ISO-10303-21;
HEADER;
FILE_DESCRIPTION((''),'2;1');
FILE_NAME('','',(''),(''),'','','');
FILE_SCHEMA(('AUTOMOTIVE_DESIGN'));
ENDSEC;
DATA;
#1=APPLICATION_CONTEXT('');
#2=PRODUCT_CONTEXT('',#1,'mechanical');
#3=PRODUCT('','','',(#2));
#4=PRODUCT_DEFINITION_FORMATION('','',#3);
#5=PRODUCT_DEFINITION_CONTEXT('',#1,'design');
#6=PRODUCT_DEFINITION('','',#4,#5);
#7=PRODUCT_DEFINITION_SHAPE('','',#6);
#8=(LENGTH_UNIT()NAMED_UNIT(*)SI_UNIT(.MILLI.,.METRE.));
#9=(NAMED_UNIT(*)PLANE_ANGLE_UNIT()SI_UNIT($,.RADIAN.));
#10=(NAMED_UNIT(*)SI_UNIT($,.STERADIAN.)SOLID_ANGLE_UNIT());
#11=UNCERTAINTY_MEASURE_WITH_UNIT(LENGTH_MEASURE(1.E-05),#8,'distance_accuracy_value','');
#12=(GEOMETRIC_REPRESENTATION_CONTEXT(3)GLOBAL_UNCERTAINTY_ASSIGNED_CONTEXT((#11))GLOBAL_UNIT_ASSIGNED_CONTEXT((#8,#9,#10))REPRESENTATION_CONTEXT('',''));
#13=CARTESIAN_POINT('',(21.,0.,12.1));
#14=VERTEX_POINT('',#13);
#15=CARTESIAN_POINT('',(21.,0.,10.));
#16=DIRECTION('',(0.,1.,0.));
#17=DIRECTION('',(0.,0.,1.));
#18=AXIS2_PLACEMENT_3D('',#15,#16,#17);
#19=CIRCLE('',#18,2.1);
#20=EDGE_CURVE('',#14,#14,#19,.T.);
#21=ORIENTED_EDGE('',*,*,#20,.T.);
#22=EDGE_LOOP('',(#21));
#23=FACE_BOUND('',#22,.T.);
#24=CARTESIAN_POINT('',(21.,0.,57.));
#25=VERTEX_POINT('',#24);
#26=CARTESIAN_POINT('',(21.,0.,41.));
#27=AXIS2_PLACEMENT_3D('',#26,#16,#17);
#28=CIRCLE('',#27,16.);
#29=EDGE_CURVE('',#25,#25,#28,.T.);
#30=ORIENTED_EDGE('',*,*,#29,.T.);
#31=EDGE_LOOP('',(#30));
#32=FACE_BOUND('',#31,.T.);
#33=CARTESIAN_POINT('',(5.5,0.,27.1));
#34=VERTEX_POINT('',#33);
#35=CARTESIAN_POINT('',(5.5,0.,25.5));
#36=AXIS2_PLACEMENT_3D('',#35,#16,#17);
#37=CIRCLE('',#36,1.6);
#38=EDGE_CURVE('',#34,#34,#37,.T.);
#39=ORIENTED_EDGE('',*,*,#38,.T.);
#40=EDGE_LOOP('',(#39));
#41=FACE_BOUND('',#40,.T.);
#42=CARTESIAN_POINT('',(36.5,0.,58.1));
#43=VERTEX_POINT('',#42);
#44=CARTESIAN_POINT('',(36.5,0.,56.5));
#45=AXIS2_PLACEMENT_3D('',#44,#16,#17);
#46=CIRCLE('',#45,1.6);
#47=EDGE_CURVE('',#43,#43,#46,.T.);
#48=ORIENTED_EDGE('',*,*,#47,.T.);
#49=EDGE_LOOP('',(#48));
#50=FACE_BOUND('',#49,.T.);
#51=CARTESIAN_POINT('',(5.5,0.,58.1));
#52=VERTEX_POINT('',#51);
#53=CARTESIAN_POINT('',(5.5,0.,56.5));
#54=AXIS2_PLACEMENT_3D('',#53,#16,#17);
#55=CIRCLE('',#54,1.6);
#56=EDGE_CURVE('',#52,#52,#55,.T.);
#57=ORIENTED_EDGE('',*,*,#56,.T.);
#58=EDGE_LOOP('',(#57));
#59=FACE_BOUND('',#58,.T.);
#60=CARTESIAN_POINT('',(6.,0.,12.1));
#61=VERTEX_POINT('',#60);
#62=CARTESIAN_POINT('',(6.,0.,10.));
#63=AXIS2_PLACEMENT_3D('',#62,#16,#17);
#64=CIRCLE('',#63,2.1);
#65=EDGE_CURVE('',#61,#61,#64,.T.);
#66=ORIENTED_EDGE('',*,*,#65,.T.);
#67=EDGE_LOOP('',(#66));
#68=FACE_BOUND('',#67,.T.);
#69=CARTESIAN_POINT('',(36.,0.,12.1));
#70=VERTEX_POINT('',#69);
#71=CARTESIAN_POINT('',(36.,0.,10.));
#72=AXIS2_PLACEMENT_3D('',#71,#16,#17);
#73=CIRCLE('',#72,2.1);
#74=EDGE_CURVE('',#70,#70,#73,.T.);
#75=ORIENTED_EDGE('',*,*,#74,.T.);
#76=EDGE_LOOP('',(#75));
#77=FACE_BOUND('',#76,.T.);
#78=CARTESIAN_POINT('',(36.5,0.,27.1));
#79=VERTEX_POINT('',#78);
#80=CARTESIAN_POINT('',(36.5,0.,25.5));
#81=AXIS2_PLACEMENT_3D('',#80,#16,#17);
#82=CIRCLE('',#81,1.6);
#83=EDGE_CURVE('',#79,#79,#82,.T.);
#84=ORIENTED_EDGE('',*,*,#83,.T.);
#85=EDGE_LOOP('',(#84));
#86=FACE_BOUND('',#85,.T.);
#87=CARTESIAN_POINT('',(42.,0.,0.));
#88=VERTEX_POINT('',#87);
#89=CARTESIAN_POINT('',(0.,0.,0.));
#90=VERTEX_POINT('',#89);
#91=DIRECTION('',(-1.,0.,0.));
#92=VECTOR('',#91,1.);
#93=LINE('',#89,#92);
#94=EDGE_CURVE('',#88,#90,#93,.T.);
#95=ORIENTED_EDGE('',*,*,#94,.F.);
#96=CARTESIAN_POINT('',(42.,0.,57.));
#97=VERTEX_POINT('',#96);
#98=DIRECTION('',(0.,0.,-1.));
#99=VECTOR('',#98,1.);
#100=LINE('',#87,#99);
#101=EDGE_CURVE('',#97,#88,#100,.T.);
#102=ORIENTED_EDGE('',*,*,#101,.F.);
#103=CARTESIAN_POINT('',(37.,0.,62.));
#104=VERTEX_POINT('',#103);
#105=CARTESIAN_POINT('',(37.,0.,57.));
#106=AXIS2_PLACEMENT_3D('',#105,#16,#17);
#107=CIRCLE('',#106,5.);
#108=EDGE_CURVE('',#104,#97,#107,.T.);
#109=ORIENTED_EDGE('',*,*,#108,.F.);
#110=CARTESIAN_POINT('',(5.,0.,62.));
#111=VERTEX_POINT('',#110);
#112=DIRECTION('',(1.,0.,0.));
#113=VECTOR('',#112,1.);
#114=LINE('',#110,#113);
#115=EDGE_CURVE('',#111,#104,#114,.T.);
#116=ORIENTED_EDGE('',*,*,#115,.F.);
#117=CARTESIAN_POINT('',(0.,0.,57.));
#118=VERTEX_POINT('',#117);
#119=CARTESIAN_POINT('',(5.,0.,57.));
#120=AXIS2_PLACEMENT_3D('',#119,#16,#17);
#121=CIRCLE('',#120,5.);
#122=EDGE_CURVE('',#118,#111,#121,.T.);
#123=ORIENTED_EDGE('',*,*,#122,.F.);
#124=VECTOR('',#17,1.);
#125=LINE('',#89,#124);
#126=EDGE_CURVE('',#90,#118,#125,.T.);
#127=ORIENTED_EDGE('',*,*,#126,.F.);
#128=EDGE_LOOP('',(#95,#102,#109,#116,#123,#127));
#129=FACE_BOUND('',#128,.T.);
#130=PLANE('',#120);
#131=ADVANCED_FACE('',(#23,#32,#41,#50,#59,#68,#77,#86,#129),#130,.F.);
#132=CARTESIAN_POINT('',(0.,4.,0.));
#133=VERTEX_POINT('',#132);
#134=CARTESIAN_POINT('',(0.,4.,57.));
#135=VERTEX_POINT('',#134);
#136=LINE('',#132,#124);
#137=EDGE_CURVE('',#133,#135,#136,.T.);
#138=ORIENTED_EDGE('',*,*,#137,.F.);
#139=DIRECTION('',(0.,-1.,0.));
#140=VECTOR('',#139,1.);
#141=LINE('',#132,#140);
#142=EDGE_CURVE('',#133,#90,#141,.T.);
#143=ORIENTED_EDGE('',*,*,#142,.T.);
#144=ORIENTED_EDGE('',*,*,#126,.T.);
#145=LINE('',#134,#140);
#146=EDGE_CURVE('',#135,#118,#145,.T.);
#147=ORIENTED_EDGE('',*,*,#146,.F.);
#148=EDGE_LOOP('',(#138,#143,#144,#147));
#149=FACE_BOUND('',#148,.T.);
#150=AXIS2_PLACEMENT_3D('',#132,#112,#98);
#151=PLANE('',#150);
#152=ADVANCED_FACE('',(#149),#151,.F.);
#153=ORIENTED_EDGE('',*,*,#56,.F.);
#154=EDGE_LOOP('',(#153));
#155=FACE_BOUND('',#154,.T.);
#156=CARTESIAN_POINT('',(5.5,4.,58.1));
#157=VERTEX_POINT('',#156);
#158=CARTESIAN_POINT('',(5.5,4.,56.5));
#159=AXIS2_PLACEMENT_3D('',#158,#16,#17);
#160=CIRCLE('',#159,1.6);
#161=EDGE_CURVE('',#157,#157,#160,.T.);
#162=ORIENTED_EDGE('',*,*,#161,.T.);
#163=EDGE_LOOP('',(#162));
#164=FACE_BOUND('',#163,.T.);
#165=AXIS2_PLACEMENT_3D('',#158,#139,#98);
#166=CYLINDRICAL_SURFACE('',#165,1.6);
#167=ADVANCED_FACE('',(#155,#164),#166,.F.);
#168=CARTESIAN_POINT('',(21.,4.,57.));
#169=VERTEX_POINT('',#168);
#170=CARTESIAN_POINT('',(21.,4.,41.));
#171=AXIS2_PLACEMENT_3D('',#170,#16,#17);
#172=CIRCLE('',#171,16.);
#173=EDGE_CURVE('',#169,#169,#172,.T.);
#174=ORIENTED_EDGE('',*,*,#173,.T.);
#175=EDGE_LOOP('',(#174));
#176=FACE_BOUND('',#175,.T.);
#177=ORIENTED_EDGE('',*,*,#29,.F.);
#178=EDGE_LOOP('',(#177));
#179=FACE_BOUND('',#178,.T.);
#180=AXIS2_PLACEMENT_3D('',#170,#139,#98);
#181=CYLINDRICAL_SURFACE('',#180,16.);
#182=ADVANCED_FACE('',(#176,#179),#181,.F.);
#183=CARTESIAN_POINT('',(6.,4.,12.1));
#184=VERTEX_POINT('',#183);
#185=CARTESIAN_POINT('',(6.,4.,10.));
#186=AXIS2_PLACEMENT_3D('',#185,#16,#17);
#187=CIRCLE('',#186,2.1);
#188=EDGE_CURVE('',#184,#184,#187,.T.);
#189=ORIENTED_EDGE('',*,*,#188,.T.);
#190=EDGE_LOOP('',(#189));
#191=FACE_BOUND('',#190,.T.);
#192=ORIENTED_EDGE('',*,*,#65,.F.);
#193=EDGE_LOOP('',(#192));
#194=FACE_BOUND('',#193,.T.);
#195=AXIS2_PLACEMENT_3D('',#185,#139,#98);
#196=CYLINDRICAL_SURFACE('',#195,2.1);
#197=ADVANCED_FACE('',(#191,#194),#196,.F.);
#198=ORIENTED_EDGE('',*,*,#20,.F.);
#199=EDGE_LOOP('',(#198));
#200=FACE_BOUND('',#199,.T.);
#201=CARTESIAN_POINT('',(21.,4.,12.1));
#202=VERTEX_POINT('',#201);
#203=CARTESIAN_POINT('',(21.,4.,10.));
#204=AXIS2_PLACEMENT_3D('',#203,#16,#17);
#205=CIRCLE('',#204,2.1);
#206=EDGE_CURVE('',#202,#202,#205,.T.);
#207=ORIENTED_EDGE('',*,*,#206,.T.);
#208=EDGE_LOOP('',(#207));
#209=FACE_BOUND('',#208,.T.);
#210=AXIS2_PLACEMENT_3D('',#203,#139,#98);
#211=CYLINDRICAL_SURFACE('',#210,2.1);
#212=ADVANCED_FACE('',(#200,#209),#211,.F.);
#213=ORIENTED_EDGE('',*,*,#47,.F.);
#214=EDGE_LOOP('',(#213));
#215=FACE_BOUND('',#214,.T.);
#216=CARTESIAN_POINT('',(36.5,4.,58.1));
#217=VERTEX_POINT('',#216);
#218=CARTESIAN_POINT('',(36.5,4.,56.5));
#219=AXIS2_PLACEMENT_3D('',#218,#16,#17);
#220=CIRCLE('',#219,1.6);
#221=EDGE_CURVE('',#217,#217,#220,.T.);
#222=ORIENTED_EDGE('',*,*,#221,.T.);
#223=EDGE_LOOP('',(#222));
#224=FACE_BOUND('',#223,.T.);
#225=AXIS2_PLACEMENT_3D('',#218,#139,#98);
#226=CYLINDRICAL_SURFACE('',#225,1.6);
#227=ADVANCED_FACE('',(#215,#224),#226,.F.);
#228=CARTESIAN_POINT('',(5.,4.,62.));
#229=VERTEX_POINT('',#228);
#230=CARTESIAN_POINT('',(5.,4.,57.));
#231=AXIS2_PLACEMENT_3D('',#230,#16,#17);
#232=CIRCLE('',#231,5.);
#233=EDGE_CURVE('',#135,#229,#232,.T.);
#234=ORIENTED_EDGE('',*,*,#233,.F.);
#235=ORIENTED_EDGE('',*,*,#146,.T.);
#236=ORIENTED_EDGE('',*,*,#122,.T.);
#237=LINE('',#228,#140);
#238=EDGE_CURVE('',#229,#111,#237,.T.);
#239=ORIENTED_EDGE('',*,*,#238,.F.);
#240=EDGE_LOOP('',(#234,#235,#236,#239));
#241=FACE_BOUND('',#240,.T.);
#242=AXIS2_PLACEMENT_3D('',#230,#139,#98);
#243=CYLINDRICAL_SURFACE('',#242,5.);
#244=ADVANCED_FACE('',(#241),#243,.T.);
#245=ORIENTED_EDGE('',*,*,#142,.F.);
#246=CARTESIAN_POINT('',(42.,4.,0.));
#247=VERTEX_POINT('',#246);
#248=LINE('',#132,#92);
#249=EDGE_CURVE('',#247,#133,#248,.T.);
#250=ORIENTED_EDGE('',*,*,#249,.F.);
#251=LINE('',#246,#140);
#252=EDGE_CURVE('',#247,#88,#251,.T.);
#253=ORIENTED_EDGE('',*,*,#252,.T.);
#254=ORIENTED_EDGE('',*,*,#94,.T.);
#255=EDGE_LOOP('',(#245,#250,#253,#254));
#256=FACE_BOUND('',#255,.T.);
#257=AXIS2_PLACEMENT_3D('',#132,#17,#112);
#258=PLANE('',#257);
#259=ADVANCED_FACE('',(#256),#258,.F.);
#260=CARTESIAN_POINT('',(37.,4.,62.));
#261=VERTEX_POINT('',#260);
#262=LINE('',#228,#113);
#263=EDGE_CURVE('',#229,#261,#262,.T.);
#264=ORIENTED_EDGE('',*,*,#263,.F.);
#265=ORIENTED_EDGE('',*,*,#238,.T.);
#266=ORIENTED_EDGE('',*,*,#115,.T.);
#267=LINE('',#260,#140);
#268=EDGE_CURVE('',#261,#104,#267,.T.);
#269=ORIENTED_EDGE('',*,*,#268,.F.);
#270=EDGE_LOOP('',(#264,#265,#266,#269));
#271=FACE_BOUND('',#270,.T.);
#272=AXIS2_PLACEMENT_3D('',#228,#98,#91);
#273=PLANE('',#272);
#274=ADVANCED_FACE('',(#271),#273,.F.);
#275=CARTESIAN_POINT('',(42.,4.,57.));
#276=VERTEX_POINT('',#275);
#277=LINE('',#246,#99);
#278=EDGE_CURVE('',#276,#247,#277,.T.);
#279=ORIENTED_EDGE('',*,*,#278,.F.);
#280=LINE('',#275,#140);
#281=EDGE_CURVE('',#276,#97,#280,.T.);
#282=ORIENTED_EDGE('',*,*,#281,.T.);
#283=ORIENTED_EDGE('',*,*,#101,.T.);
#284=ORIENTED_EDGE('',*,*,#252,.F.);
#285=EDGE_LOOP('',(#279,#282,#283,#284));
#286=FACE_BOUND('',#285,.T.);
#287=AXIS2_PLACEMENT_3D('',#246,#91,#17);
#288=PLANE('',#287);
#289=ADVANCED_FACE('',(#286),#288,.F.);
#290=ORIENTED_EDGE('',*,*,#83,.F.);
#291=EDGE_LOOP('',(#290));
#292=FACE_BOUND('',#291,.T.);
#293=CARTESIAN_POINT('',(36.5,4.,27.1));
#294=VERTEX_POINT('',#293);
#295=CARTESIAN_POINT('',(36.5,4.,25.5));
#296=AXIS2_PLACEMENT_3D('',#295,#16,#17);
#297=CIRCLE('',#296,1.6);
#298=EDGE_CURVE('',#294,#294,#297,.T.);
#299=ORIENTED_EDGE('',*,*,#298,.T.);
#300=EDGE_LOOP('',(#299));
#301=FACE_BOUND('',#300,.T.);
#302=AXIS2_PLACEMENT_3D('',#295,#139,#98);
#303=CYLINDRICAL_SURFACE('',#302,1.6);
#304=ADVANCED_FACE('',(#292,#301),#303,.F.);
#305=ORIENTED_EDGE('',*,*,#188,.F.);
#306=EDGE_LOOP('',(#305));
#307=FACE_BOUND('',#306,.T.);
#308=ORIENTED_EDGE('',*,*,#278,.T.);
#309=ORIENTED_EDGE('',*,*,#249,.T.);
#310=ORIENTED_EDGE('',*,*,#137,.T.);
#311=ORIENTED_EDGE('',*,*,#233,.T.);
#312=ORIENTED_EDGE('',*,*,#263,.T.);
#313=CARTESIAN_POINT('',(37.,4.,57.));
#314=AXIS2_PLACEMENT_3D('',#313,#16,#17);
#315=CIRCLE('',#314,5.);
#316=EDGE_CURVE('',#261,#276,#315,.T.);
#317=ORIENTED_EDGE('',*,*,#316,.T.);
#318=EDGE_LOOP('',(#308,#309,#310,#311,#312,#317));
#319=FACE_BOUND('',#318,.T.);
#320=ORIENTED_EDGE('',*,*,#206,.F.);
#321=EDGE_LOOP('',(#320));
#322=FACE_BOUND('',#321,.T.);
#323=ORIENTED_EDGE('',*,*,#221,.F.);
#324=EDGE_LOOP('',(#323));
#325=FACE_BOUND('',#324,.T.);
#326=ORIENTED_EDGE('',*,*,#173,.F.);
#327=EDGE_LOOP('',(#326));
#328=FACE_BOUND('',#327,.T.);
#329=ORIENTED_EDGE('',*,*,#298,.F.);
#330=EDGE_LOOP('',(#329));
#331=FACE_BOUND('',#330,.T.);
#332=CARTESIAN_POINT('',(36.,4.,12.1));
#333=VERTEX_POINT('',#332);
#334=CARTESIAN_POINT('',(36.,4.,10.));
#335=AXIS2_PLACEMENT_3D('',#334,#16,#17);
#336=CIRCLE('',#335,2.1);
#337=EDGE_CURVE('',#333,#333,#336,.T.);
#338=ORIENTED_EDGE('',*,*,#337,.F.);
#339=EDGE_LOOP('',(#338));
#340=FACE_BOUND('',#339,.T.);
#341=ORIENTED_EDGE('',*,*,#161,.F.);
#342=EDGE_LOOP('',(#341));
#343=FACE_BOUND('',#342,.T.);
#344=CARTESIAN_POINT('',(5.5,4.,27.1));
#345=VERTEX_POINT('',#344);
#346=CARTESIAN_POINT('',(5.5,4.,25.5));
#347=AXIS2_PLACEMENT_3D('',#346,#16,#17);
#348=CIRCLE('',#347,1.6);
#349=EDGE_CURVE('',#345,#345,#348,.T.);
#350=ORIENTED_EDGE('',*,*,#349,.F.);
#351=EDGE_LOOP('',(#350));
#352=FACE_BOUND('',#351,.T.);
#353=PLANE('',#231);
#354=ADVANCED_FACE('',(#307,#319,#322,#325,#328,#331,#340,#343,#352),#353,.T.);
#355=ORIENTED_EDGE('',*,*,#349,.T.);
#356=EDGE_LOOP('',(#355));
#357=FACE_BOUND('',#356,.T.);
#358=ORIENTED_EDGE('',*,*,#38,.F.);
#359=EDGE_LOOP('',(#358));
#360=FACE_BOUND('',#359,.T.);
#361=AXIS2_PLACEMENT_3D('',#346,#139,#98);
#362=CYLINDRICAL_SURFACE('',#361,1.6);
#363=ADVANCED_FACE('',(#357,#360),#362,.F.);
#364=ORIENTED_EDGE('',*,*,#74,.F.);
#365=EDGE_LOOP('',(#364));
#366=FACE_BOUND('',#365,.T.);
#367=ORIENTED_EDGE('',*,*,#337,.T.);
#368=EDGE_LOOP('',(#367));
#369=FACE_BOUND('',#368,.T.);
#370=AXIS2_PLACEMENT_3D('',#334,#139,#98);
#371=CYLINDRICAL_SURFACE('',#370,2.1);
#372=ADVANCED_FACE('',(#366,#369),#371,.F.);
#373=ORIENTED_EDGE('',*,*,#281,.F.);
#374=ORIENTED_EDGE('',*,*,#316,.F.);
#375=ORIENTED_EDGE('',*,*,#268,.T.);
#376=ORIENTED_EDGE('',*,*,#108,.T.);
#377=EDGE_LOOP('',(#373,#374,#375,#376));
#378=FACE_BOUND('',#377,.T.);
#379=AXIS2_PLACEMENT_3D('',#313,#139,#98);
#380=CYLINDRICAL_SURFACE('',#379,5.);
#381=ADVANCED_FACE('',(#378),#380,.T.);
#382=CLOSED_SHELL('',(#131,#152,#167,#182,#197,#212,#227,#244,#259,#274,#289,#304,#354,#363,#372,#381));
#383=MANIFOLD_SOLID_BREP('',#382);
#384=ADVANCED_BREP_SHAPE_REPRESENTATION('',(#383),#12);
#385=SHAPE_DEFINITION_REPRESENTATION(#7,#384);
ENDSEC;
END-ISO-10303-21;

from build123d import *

# Parameters (mm, degrees)
SKETCH_1_R      = 1.6
SKETCH_1_R_2    = 16
SKETCH_1_R_3    = 2.1
EXTRUDE_1_DEPTH = 4


with BuildPart() as part:
    # 草图1 → 凸台-拉伸1 (new body)
    with BuildSketch(Plane(origin=(0, 0, 0), x_dir=(1, 0, 0), z_dir=(0, 1, 0))):
        with BuildLine():
            Line((0, 0), (42, 0))
            Line((42, 0), (42, -57))
            ThreePointArc((42, -57), (40.535533906, -60.535533906), (37, -62))
            Line((37, -62), (5, -62))
            ThreePointArc((5, -62), (1.464466094, -60.535533906), (0, -57))
            Line((0, -57), (0, 0))
        make_face()
        with Locations(Location((5.5, -25.5, 0), (0, 0, 270))):
            Circle(SKETCH_1_R, mode=Mode.SUBTRACT)
        with Locations(Location((36.5, -25.5, 0), (0, 0, 270))):
            Circle(SKETCH_1_R, mode=Mode.SUBTRACT)
        with Locations(Location((36.5, -56.5, 0), (0, 0, 270))):
            Circle(SKETCH_1_R, mode=Mode.SUBTRACT)
        with Locations(Location((5.5, -56.5, 0), (0, 0, 270))):
            Circle(SKETCH_1_R, mode=Mode.SUBTRACT)
        with Locations(Location((21, -41, 0), (0, 0, 270))):
            Circle(SKETCH_1_R_2, mode=Mode.SUBTRACT)
        with Locations(Location((21, -10, 0), (0, 0, 270))):
            Circle(SKETCH_1_R_3, mode=Mode.SUBTRACT)
        with Locations(Location((36, -10, 0), (0, 0, 270))):
            Circle(SKETCH_1_R_3, mode=Mode.SUBTRACT)
        with Locations(Location((6, -10, 0), (0, 0, 270))):
            Circle(SKETCH_1_R_3, mode=Mode.SUBTRACT)
    extrude(amount=EXTRUDE_1_DEPTH)


solid = part.part
